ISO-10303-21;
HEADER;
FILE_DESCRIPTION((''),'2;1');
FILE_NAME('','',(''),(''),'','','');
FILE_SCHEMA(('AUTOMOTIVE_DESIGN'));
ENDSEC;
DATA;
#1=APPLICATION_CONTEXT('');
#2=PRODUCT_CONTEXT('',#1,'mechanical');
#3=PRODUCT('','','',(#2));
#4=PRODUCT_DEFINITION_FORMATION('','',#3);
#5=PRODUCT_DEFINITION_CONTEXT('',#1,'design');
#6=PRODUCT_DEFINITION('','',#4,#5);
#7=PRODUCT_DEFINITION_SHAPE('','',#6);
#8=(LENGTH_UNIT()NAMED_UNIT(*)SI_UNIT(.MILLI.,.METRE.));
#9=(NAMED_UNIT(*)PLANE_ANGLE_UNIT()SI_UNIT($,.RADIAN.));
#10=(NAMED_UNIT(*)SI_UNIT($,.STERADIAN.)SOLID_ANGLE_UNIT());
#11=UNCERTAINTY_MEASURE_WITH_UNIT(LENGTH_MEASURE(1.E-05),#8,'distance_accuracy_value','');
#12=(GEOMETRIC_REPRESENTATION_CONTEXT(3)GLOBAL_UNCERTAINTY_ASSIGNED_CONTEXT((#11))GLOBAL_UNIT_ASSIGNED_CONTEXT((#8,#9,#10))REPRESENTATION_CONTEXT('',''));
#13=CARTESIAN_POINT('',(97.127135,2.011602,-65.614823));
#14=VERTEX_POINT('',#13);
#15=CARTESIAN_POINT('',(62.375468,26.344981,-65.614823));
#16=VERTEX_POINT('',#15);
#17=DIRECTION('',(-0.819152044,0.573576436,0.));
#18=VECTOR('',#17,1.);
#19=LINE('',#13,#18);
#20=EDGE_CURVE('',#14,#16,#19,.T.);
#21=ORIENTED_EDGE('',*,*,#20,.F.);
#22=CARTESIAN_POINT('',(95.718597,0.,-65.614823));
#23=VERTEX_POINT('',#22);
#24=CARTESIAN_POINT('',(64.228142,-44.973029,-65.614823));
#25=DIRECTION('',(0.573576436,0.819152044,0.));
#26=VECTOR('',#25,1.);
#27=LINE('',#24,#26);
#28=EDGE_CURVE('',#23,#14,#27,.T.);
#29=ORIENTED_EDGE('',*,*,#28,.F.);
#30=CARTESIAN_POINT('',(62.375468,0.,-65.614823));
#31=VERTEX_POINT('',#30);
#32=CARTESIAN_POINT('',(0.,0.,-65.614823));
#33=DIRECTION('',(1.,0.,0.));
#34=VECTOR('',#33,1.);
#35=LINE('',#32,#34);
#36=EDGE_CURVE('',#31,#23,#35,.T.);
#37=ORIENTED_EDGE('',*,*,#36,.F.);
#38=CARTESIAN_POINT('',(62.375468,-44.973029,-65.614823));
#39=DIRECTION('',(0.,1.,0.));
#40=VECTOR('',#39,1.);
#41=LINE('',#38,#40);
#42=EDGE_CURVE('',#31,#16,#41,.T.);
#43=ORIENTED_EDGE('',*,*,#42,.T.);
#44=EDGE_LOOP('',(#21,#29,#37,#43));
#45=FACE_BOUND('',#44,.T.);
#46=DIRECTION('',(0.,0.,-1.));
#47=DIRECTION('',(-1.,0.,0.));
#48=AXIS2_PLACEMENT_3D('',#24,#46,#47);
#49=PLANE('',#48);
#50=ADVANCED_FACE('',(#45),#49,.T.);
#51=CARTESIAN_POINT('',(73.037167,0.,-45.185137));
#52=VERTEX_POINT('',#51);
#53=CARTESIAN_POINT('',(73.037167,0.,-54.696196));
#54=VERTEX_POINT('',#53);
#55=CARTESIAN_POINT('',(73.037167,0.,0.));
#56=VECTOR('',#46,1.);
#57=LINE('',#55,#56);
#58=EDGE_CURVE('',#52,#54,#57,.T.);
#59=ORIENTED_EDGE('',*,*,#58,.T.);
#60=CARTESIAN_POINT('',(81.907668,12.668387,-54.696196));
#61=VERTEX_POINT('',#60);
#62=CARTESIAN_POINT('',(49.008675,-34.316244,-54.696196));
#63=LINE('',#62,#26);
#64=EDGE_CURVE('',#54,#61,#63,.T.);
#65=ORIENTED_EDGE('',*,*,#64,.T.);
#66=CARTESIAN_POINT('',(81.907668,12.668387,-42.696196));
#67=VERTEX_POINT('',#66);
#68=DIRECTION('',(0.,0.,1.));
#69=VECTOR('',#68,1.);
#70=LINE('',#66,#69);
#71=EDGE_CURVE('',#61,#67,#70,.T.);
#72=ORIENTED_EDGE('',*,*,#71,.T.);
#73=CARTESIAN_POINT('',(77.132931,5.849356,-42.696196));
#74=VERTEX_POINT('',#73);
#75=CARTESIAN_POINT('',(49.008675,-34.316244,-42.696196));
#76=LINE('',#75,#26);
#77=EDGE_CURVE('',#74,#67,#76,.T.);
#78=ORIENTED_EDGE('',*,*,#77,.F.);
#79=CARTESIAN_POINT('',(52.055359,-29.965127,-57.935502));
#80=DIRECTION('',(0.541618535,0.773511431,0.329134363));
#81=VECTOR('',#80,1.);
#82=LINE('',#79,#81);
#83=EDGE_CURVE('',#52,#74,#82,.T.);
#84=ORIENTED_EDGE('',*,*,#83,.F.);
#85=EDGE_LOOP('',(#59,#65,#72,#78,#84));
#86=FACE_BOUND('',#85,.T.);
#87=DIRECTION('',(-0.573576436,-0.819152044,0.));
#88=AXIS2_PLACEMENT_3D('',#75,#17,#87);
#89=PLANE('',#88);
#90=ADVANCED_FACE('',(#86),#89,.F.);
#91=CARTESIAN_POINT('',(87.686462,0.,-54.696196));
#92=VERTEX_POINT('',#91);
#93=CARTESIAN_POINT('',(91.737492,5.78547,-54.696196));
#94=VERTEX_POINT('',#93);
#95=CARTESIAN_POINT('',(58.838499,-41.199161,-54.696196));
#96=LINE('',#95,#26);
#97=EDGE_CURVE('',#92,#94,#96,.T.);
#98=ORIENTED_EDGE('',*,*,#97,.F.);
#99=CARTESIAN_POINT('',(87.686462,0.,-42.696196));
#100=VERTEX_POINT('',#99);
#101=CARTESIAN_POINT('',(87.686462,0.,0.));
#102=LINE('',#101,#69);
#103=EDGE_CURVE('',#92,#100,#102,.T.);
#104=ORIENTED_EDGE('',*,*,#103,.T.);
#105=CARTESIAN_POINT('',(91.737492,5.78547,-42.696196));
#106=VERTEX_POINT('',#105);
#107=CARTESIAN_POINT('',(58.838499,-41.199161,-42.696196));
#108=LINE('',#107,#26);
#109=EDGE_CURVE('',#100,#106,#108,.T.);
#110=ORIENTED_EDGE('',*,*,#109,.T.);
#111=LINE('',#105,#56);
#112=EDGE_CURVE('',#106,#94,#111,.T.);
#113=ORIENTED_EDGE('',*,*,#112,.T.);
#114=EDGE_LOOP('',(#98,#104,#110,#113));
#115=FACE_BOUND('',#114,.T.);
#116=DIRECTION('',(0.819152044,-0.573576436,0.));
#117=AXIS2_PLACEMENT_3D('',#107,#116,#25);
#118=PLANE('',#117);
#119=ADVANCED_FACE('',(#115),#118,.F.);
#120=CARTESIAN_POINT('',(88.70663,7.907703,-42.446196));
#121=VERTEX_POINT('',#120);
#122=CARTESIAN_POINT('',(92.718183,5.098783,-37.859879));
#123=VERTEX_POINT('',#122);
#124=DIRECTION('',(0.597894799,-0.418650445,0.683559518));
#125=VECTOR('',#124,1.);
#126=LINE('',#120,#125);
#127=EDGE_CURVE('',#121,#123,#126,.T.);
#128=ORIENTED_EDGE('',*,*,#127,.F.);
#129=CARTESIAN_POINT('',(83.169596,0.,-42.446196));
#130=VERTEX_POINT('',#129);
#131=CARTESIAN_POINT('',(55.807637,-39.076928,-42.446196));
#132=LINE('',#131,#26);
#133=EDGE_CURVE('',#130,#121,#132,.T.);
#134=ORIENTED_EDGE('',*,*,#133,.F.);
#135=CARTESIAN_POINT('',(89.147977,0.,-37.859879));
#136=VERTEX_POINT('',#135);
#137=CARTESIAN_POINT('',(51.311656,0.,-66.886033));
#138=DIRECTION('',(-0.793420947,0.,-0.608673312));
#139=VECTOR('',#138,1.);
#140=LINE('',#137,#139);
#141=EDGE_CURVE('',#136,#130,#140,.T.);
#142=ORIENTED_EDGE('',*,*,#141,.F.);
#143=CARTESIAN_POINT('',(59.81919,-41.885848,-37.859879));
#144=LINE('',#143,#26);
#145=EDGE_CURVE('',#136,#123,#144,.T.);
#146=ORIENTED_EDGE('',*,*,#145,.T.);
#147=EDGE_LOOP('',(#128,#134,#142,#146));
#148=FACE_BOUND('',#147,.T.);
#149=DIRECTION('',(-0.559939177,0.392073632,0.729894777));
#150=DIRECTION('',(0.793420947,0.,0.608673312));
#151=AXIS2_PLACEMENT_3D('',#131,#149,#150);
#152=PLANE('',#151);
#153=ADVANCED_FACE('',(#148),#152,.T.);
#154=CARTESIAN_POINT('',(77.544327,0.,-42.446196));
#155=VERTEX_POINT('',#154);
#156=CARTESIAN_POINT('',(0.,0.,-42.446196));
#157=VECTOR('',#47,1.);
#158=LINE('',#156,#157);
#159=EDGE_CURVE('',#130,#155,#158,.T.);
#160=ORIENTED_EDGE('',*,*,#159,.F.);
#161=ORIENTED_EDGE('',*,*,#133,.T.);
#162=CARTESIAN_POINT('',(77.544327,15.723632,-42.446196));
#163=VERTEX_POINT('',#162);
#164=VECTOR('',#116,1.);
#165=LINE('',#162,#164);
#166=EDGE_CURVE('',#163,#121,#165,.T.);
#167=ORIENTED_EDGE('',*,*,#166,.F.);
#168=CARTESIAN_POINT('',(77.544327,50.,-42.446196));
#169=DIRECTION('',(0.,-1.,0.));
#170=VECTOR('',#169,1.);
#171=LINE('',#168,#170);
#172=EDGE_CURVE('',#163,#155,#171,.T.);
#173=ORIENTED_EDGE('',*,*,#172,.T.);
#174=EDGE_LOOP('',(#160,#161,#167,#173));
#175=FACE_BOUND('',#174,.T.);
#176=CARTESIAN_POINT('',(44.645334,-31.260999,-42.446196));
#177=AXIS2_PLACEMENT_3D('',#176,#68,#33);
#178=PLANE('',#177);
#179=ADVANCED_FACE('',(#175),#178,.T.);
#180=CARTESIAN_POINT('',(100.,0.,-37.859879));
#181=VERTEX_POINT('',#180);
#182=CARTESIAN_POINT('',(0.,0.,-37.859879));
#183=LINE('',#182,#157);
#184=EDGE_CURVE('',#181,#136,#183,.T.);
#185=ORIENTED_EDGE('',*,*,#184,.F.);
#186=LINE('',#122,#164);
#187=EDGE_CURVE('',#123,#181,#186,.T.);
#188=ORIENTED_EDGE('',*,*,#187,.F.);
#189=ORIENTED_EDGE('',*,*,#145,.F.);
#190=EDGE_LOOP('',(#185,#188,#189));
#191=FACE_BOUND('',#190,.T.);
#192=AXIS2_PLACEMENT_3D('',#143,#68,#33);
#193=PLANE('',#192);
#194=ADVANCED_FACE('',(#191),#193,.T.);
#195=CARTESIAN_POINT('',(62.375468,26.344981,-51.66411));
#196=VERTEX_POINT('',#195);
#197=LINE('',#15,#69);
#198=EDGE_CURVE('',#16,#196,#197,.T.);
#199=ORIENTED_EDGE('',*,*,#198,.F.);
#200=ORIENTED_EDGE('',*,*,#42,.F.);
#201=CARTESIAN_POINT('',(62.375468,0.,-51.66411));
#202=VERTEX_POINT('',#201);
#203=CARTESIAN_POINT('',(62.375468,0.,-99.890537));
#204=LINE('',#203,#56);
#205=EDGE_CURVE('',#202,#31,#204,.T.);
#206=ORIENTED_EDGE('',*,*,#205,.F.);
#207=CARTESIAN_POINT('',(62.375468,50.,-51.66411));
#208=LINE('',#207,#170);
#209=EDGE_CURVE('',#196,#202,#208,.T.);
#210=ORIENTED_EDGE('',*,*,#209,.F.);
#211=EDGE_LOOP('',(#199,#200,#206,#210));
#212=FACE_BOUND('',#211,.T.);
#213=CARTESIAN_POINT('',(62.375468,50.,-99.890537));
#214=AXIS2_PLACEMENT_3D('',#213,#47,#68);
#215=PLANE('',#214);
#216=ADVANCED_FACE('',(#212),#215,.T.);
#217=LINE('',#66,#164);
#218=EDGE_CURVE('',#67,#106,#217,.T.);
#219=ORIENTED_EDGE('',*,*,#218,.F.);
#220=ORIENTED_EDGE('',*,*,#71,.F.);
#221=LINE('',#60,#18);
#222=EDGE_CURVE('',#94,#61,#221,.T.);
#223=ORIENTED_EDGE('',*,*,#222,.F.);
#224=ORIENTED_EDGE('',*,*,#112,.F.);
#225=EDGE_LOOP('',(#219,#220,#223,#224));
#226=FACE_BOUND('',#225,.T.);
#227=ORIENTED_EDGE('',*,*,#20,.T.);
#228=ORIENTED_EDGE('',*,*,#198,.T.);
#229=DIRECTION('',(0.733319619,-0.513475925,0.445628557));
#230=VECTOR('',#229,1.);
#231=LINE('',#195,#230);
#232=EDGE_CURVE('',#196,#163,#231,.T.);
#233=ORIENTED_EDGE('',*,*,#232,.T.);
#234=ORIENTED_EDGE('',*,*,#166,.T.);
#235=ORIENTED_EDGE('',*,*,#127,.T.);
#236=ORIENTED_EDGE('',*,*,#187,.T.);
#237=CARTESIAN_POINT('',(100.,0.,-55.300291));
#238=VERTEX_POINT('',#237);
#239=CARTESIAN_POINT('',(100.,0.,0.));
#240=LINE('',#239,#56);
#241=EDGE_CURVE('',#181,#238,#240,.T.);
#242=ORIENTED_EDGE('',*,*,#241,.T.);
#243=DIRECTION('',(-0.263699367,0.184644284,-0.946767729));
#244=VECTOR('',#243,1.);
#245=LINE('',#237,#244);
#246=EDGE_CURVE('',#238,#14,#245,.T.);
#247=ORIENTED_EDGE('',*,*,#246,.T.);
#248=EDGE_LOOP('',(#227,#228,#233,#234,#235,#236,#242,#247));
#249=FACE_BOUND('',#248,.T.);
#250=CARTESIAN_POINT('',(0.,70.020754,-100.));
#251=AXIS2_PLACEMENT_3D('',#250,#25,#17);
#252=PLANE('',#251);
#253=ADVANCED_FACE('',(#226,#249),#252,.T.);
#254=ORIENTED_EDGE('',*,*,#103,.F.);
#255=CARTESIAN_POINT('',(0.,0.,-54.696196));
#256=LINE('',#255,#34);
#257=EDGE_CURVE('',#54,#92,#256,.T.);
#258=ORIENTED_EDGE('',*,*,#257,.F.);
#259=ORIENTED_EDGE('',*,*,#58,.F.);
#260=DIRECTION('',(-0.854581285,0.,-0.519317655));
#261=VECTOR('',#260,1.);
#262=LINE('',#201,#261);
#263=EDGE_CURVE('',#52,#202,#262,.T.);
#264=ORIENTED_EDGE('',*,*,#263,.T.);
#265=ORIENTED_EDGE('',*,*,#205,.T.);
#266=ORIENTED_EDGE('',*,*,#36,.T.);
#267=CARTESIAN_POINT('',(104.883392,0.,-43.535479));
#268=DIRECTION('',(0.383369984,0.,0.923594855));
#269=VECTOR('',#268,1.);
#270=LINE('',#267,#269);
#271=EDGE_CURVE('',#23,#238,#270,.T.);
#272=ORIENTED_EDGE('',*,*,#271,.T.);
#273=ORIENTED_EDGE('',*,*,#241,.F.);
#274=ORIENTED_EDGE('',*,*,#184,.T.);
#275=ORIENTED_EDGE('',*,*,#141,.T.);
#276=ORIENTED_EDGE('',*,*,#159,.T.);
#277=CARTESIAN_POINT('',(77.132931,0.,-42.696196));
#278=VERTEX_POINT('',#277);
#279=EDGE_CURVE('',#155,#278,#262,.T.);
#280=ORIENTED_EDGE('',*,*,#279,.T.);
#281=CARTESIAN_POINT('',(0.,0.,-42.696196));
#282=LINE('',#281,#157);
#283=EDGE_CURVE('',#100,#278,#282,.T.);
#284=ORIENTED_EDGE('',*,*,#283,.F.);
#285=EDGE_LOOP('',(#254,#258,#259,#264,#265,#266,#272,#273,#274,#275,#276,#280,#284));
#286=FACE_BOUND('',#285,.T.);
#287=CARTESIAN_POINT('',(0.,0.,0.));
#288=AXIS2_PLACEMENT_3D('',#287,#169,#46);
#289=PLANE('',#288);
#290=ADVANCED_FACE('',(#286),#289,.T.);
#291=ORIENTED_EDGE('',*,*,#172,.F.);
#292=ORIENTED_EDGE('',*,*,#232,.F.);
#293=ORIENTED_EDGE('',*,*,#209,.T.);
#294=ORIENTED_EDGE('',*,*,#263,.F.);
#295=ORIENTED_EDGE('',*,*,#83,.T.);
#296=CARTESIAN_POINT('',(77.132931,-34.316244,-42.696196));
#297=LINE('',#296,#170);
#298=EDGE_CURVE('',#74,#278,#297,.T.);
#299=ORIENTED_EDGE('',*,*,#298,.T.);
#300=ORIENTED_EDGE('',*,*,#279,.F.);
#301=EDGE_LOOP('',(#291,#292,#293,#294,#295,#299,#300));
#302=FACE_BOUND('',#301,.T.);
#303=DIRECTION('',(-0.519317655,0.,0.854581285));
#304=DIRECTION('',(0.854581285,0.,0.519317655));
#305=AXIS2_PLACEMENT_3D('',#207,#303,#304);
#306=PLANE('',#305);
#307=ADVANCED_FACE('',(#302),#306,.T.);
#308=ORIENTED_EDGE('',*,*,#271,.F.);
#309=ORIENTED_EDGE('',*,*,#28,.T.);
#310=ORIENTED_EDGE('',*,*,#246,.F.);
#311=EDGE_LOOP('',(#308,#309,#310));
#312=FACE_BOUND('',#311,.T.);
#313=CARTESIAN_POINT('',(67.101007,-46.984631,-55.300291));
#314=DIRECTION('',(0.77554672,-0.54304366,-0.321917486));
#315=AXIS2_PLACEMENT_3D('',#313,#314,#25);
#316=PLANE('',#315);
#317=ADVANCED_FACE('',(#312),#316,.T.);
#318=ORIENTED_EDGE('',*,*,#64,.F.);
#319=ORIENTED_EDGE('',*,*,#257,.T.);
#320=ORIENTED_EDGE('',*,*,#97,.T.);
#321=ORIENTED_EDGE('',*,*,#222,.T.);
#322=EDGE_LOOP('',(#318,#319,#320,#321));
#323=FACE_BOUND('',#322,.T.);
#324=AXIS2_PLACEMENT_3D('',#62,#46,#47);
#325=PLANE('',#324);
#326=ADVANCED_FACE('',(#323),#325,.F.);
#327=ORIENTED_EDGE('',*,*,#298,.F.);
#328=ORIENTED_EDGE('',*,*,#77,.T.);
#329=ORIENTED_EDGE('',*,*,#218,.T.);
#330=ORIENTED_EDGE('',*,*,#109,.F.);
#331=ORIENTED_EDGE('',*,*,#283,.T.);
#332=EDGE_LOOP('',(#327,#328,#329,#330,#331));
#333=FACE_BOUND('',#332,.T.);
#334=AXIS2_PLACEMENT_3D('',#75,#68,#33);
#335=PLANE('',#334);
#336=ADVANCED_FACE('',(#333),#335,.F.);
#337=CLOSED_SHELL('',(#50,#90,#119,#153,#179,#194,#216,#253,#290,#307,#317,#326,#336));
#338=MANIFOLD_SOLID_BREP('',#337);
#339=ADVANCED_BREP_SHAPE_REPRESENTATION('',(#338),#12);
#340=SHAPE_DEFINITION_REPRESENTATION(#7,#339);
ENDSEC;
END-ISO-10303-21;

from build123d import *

# Parameters (mm, degrees)
SKIZZE1_W                       = 100
SKIZZE1_H                       = 100
AUFSATZ_LINEAR_AUSTRAGEN1_DEPTH = 50
SKIZZE2_OUTSIDE_W               = 132
SKIZZE2_OUTSIDE_H               = 82
SCHNITT_LINEAR_AUSTRAGEN1_DEPTH = 101
SKIZZE3_OUTSIDE_W               = 142.594
SKIZZE3_OUTSIDE_H               = 132
SKIZZE3_OUTSIDE_W_2             = 12
SKIZZE3_OUTSIDE_H_2             = 12
SCHNITT_LINEAR_AUSTRAGEN2_DEPTH = 58.357643635
SCHNITT_LINEAR_AUSTRAGEN3_DEPTH = 50


with BuildPart() as part:
    # Skizze1 → Aufsatz-Linear austragen1 (new body)
    with BuildSketch(Plane(origin=(0, 0, 0), x_dir=(1, 0, 0), z_dir=(0, 1, 0))):
        with Locations((50, 50)):
            Rectangle(SKIZZE1_W, SKIZZE1_H)
    extrude(amount=AUFSATZ_LINEAR_AUSTRAGEN1_DEPTH)

    # Skizze2 outside → Schnitt-Linear austragen1 (cut, through all)
    with BuildSketch(Plane.XY):
        with Locations((50, 25)):
            Rectangle(SKIZZE2_OUTSIDE_W, SKIZZE2_OUTSIDE_H)
        Polygon((0, 0), (0, 70.020753821), (100, 0), align=None, mode=Mode.SUBTRACT)
    extrude(amount=-SCHNITT_LINEAR_AUSTRAGEN1_DEPTH, mode=Mode.SUBTRACT)

    # Skizze3 outside → Schnitt-Linear austragen2 (cut, through all)
    with BuildSketch(Plane(origin=(32.898992834, 46.984631039, 0), x_dir=(0.819152044, -0.573576436, 0), z_dir=(0.573576436, 0.819152044, 0))):
        with Locations((26.618, 50)):
            Rectangle(SKIZZE3_OUTSIDE_W, SKIZZE3_OUTSIDE_H)
        Polygon((81.915204429, 37.859878609), (81.915204429, 55.30029111), (78.408084137, 65.614823426), (35.984131413, 65.614823426), (35.984131413, 51.664109902), (54.501889142, 42.446196436), (68.128544963, 42.446196436), (73.025747531, 37.859878609), align=None, mode=Mode.SUBTRACT)
        with Locations((65.828544963, 48.696196436)):
            Rectangle(SKIZZE3_OUTSIDE_W_2, SKIZZE3_OUTSIDE_H_2)
    extrude(amount=-SCHNITT_LINEAR_AUSTRAGEN2_DEPTH, mode=Mode.SUBTRACT)

    # Skizze4 → Schnitt-Linear austragen3 (cut)
    with BuildSketch(Plane(origin=(0, 0, 0), x_dir=(1, 0, 0), z_dir=(0, 1, 0))):
        Polygon((62.375467643, 65.614823426), (62.375467643, 51.664109902), (77.544326742, 42.446196436), (62.375467643, 16.747939689), (28.386649176, 16.747939689), (28.386649176, 99.890537097), (62.375467643, 99.890537097), align=None)
    extrude(amount=SCHNITT_LINEAR_AUSTRAGEN3_DEPTH, mode=Mode.SUBTRACT)


solid = part.part
